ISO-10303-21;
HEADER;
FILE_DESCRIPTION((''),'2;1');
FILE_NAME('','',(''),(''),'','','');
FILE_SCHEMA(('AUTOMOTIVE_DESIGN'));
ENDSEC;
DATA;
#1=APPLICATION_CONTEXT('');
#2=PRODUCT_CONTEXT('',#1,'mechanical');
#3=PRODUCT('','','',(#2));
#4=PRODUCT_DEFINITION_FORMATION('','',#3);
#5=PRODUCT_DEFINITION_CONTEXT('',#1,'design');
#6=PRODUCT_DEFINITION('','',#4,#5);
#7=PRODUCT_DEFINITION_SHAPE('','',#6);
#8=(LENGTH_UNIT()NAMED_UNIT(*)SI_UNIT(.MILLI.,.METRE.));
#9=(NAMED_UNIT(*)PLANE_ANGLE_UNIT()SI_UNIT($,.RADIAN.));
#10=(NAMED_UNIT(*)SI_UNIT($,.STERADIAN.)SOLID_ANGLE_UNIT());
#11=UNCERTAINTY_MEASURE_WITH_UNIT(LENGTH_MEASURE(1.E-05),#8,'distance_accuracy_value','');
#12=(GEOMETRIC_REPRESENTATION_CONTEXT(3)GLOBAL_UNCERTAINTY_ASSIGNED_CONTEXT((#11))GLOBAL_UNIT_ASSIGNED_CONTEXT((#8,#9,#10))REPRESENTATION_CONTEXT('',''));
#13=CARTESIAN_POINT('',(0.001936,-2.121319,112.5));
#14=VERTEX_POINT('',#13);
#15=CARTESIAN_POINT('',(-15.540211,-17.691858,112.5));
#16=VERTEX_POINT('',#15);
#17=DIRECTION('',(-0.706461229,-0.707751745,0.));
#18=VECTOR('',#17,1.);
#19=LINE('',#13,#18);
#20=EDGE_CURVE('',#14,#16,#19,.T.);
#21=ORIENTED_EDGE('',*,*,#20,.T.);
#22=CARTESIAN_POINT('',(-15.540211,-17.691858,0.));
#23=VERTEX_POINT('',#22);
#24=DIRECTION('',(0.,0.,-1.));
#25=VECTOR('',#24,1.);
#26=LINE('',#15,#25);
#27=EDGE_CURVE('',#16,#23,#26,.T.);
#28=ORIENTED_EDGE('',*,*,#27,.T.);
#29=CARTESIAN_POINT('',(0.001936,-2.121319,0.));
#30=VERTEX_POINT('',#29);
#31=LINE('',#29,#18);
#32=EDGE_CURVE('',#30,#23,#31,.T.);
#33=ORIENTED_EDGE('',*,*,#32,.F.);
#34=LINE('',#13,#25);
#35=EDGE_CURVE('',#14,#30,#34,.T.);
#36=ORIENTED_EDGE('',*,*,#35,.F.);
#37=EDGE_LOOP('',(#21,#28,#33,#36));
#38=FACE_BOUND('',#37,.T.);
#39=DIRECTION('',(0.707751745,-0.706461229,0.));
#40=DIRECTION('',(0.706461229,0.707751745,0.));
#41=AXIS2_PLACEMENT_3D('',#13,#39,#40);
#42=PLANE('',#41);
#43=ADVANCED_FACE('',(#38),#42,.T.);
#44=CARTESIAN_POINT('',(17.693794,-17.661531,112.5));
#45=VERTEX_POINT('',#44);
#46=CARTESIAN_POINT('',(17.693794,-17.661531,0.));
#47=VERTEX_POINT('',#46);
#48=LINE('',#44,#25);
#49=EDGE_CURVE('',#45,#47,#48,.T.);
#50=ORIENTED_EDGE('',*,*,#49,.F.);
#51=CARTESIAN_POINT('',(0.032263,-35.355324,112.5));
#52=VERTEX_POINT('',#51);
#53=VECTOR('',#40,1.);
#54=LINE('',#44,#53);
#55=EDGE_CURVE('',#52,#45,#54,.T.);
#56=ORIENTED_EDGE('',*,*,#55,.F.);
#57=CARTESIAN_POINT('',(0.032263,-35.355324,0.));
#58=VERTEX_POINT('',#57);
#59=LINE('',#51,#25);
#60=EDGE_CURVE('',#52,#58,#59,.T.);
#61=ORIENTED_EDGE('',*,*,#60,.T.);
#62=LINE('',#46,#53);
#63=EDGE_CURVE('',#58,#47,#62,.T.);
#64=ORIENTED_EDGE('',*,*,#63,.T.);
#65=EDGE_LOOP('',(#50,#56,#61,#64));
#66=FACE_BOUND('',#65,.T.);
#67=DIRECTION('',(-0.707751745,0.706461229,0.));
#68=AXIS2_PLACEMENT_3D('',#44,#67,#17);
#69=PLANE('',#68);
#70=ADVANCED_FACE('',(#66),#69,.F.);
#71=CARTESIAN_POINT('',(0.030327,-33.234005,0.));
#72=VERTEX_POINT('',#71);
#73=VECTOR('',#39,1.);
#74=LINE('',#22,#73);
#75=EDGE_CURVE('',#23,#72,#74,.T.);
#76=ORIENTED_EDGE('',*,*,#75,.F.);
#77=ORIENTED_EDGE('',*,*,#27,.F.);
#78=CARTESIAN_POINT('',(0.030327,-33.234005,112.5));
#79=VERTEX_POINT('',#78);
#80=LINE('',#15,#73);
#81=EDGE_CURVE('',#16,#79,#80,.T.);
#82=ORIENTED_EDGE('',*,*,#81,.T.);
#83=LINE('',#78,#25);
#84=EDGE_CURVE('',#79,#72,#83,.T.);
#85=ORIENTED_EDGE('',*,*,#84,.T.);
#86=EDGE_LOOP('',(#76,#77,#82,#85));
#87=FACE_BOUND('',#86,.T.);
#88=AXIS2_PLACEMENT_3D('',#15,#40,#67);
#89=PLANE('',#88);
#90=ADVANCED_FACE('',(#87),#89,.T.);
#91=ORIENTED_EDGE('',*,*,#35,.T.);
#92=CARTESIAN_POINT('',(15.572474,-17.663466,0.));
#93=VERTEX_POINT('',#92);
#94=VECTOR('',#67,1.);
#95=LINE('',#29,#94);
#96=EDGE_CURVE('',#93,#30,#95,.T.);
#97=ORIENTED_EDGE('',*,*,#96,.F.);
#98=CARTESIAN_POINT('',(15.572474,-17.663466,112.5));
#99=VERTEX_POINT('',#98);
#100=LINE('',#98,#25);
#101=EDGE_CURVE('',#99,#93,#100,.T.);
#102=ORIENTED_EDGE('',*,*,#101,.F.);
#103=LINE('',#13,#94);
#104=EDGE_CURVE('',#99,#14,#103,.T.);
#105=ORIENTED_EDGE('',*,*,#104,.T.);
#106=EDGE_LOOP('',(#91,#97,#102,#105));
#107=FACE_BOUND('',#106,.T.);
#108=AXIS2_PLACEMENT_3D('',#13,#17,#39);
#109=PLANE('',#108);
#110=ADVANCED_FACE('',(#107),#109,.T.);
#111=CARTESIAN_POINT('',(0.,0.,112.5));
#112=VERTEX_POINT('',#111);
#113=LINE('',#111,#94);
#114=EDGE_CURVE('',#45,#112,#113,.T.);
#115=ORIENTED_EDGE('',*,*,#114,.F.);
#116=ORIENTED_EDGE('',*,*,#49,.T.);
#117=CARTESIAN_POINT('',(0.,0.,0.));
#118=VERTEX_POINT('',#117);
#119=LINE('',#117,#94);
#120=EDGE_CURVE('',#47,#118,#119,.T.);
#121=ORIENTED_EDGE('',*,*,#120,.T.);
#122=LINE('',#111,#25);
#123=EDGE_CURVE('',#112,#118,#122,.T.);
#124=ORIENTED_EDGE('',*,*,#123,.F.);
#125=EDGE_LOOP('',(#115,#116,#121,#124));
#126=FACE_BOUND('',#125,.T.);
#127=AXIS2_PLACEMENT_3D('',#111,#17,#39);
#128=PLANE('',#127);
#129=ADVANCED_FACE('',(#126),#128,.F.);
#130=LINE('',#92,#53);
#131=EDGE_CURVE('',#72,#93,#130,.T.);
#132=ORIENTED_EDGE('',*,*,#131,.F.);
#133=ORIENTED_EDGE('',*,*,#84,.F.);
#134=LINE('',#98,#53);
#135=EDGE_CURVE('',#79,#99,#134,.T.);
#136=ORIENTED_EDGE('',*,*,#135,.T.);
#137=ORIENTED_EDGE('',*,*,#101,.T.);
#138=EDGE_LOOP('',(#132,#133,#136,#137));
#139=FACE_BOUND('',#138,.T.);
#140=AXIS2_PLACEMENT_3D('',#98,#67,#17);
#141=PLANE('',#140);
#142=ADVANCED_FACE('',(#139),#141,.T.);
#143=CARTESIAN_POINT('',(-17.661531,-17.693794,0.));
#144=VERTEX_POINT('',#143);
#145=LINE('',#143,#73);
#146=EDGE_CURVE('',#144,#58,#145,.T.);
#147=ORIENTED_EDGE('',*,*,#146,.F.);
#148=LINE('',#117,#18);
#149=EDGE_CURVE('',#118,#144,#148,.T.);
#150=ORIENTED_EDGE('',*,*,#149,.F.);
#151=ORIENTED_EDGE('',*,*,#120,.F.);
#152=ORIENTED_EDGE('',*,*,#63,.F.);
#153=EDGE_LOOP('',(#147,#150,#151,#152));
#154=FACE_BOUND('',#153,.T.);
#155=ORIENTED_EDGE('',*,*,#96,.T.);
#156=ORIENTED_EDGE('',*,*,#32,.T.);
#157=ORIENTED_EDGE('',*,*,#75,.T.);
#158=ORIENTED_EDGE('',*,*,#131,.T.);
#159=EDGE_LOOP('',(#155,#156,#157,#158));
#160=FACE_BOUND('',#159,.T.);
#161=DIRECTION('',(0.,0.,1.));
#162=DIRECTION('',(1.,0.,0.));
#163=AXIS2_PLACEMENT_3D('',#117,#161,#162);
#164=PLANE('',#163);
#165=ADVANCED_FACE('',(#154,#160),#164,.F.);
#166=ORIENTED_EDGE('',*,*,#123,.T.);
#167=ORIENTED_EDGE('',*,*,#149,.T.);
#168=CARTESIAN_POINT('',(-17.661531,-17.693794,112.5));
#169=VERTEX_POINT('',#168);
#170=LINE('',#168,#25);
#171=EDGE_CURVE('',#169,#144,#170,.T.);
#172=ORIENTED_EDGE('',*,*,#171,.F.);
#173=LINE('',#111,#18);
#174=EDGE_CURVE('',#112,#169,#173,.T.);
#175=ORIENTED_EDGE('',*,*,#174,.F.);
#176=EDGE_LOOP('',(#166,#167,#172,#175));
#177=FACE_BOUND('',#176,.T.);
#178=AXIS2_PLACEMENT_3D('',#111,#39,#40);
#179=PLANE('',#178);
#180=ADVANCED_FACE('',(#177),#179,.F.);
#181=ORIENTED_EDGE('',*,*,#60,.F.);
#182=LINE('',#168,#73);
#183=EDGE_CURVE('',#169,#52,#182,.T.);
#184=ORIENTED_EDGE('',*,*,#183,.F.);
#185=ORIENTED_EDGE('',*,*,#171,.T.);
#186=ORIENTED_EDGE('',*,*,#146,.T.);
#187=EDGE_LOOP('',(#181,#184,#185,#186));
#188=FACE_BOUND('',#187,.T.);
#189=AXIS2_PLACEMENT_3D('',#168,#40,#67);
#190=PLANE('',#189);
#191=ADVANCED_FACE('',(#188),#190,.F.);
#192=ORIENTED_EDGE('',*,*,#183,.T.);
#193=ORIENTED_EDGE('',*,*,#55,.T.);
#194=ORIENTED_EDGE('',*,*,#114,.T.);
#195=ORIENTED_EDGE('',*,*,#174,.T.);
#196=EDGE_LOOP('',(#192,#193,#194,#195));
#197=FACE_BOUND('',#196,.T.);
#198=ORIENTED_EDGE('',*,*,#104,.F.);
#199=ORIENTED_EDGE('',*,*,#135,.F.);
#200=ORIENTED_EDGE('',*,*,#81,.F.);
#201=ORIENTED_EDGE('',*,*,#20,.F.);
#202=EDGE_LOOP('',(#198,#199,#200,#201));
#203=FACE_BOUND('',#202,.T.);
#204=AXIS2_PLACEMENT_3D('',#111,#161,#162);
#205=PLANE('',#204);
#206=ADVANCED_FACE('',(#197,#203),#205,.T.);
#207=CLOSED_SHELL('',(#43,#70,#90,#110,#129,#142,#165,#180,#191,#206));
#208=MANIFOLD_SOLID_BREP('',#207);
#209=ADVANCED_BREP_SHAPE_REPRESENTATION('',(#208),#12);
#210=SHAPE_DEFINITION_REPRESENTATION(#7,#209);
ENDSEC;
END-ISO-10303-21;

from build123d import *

# Parameters (mm, degrees)
EXTRUDE_1_DEPTH = 112.5


with BuildPart() as part:
    # 草圖1 → 填料-伸長1 (new body)
    with BuildSketch(Plane.XY):
        Polygon((0, 0), (17.69379362, -17.661530719), (0.032262901, -35.355324339), (-17.661530719, -17.69379362), align=None)
        Polygon((0.001935774, -2.12131946), (-15.540211259, -17.691857846), (0.030327127, -33.234004879), (15.57247416, -17.663466493), align=None, mode=Mode.SUBTRACT)
    extrude(amount=EXTRUDE_1_DEPTH)


solid = part.part
